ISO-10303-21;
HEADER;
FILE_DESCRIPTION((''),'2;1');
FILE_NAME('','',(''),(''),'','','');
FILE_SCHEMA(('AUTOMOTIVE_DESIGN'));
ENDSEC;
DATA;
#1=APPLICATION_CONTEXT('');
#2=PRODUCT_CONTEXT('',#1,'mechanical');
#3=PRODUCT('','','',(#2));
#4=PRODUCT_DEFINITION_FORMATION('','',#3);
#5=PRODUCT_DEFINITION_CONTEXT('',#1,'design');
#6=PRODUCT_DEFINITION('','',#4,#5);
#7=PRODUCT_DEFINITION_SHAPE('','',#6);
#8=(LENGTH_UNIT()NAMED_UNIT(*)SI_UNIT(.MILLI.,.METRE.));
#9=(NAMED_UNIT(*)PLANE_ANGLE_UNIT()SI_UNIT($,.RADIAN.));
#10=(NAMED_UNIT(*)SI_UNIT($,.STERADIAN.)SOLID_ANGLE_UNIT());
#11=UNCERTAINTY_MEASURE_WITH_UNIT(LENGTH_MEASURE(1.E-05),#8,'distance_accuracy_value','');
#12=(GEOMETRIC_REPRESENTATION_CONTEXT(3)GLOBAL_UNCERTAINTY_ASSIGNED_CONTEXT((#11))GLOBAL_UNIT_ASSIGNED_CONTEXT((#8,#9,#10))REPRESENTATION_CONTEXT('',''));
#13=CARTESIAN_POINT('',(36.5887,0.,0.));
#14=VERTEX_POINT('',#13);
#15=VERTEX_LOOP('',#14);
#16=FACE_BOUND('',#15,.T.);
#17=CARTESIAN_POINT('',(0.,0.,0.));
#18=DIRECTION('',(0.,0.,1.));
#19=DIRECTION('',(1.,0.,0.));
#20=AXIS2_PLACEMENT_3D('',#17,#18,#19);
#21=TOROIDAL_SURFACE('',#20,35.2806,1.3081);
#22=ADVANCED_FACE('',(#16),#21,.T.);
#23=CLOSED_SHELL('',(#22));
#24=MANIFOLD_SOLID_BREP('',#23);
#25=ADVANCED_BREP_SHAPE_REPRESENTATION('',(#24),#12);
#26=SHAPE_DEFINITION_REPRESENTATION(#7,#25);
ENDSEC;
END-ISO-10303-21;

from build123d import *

# Parameters (mm, degrees)
SKETCH1_R = 1.3081


with BuildPart() as part:
    # Sketch1 → Revolve1 (revolve)
    with BuildSketch(Plane(origin=(0, 0, 0), x_dir=(0, -1, 0), z_dir=(1, 0, 0)), mode=Mode.PRIVATE) as revolve1_sk:
        with Locations((35.2806, 0)):
            Circle(SKETCH1_R)
    revolve(revolve1_sk.sketch.rotate(Axis((0, 0, 1.3081), (0, 0, -1)), 270), axis=Axis((0, 0, 1.3081), (0, 0, -1)))


solid = part.part
